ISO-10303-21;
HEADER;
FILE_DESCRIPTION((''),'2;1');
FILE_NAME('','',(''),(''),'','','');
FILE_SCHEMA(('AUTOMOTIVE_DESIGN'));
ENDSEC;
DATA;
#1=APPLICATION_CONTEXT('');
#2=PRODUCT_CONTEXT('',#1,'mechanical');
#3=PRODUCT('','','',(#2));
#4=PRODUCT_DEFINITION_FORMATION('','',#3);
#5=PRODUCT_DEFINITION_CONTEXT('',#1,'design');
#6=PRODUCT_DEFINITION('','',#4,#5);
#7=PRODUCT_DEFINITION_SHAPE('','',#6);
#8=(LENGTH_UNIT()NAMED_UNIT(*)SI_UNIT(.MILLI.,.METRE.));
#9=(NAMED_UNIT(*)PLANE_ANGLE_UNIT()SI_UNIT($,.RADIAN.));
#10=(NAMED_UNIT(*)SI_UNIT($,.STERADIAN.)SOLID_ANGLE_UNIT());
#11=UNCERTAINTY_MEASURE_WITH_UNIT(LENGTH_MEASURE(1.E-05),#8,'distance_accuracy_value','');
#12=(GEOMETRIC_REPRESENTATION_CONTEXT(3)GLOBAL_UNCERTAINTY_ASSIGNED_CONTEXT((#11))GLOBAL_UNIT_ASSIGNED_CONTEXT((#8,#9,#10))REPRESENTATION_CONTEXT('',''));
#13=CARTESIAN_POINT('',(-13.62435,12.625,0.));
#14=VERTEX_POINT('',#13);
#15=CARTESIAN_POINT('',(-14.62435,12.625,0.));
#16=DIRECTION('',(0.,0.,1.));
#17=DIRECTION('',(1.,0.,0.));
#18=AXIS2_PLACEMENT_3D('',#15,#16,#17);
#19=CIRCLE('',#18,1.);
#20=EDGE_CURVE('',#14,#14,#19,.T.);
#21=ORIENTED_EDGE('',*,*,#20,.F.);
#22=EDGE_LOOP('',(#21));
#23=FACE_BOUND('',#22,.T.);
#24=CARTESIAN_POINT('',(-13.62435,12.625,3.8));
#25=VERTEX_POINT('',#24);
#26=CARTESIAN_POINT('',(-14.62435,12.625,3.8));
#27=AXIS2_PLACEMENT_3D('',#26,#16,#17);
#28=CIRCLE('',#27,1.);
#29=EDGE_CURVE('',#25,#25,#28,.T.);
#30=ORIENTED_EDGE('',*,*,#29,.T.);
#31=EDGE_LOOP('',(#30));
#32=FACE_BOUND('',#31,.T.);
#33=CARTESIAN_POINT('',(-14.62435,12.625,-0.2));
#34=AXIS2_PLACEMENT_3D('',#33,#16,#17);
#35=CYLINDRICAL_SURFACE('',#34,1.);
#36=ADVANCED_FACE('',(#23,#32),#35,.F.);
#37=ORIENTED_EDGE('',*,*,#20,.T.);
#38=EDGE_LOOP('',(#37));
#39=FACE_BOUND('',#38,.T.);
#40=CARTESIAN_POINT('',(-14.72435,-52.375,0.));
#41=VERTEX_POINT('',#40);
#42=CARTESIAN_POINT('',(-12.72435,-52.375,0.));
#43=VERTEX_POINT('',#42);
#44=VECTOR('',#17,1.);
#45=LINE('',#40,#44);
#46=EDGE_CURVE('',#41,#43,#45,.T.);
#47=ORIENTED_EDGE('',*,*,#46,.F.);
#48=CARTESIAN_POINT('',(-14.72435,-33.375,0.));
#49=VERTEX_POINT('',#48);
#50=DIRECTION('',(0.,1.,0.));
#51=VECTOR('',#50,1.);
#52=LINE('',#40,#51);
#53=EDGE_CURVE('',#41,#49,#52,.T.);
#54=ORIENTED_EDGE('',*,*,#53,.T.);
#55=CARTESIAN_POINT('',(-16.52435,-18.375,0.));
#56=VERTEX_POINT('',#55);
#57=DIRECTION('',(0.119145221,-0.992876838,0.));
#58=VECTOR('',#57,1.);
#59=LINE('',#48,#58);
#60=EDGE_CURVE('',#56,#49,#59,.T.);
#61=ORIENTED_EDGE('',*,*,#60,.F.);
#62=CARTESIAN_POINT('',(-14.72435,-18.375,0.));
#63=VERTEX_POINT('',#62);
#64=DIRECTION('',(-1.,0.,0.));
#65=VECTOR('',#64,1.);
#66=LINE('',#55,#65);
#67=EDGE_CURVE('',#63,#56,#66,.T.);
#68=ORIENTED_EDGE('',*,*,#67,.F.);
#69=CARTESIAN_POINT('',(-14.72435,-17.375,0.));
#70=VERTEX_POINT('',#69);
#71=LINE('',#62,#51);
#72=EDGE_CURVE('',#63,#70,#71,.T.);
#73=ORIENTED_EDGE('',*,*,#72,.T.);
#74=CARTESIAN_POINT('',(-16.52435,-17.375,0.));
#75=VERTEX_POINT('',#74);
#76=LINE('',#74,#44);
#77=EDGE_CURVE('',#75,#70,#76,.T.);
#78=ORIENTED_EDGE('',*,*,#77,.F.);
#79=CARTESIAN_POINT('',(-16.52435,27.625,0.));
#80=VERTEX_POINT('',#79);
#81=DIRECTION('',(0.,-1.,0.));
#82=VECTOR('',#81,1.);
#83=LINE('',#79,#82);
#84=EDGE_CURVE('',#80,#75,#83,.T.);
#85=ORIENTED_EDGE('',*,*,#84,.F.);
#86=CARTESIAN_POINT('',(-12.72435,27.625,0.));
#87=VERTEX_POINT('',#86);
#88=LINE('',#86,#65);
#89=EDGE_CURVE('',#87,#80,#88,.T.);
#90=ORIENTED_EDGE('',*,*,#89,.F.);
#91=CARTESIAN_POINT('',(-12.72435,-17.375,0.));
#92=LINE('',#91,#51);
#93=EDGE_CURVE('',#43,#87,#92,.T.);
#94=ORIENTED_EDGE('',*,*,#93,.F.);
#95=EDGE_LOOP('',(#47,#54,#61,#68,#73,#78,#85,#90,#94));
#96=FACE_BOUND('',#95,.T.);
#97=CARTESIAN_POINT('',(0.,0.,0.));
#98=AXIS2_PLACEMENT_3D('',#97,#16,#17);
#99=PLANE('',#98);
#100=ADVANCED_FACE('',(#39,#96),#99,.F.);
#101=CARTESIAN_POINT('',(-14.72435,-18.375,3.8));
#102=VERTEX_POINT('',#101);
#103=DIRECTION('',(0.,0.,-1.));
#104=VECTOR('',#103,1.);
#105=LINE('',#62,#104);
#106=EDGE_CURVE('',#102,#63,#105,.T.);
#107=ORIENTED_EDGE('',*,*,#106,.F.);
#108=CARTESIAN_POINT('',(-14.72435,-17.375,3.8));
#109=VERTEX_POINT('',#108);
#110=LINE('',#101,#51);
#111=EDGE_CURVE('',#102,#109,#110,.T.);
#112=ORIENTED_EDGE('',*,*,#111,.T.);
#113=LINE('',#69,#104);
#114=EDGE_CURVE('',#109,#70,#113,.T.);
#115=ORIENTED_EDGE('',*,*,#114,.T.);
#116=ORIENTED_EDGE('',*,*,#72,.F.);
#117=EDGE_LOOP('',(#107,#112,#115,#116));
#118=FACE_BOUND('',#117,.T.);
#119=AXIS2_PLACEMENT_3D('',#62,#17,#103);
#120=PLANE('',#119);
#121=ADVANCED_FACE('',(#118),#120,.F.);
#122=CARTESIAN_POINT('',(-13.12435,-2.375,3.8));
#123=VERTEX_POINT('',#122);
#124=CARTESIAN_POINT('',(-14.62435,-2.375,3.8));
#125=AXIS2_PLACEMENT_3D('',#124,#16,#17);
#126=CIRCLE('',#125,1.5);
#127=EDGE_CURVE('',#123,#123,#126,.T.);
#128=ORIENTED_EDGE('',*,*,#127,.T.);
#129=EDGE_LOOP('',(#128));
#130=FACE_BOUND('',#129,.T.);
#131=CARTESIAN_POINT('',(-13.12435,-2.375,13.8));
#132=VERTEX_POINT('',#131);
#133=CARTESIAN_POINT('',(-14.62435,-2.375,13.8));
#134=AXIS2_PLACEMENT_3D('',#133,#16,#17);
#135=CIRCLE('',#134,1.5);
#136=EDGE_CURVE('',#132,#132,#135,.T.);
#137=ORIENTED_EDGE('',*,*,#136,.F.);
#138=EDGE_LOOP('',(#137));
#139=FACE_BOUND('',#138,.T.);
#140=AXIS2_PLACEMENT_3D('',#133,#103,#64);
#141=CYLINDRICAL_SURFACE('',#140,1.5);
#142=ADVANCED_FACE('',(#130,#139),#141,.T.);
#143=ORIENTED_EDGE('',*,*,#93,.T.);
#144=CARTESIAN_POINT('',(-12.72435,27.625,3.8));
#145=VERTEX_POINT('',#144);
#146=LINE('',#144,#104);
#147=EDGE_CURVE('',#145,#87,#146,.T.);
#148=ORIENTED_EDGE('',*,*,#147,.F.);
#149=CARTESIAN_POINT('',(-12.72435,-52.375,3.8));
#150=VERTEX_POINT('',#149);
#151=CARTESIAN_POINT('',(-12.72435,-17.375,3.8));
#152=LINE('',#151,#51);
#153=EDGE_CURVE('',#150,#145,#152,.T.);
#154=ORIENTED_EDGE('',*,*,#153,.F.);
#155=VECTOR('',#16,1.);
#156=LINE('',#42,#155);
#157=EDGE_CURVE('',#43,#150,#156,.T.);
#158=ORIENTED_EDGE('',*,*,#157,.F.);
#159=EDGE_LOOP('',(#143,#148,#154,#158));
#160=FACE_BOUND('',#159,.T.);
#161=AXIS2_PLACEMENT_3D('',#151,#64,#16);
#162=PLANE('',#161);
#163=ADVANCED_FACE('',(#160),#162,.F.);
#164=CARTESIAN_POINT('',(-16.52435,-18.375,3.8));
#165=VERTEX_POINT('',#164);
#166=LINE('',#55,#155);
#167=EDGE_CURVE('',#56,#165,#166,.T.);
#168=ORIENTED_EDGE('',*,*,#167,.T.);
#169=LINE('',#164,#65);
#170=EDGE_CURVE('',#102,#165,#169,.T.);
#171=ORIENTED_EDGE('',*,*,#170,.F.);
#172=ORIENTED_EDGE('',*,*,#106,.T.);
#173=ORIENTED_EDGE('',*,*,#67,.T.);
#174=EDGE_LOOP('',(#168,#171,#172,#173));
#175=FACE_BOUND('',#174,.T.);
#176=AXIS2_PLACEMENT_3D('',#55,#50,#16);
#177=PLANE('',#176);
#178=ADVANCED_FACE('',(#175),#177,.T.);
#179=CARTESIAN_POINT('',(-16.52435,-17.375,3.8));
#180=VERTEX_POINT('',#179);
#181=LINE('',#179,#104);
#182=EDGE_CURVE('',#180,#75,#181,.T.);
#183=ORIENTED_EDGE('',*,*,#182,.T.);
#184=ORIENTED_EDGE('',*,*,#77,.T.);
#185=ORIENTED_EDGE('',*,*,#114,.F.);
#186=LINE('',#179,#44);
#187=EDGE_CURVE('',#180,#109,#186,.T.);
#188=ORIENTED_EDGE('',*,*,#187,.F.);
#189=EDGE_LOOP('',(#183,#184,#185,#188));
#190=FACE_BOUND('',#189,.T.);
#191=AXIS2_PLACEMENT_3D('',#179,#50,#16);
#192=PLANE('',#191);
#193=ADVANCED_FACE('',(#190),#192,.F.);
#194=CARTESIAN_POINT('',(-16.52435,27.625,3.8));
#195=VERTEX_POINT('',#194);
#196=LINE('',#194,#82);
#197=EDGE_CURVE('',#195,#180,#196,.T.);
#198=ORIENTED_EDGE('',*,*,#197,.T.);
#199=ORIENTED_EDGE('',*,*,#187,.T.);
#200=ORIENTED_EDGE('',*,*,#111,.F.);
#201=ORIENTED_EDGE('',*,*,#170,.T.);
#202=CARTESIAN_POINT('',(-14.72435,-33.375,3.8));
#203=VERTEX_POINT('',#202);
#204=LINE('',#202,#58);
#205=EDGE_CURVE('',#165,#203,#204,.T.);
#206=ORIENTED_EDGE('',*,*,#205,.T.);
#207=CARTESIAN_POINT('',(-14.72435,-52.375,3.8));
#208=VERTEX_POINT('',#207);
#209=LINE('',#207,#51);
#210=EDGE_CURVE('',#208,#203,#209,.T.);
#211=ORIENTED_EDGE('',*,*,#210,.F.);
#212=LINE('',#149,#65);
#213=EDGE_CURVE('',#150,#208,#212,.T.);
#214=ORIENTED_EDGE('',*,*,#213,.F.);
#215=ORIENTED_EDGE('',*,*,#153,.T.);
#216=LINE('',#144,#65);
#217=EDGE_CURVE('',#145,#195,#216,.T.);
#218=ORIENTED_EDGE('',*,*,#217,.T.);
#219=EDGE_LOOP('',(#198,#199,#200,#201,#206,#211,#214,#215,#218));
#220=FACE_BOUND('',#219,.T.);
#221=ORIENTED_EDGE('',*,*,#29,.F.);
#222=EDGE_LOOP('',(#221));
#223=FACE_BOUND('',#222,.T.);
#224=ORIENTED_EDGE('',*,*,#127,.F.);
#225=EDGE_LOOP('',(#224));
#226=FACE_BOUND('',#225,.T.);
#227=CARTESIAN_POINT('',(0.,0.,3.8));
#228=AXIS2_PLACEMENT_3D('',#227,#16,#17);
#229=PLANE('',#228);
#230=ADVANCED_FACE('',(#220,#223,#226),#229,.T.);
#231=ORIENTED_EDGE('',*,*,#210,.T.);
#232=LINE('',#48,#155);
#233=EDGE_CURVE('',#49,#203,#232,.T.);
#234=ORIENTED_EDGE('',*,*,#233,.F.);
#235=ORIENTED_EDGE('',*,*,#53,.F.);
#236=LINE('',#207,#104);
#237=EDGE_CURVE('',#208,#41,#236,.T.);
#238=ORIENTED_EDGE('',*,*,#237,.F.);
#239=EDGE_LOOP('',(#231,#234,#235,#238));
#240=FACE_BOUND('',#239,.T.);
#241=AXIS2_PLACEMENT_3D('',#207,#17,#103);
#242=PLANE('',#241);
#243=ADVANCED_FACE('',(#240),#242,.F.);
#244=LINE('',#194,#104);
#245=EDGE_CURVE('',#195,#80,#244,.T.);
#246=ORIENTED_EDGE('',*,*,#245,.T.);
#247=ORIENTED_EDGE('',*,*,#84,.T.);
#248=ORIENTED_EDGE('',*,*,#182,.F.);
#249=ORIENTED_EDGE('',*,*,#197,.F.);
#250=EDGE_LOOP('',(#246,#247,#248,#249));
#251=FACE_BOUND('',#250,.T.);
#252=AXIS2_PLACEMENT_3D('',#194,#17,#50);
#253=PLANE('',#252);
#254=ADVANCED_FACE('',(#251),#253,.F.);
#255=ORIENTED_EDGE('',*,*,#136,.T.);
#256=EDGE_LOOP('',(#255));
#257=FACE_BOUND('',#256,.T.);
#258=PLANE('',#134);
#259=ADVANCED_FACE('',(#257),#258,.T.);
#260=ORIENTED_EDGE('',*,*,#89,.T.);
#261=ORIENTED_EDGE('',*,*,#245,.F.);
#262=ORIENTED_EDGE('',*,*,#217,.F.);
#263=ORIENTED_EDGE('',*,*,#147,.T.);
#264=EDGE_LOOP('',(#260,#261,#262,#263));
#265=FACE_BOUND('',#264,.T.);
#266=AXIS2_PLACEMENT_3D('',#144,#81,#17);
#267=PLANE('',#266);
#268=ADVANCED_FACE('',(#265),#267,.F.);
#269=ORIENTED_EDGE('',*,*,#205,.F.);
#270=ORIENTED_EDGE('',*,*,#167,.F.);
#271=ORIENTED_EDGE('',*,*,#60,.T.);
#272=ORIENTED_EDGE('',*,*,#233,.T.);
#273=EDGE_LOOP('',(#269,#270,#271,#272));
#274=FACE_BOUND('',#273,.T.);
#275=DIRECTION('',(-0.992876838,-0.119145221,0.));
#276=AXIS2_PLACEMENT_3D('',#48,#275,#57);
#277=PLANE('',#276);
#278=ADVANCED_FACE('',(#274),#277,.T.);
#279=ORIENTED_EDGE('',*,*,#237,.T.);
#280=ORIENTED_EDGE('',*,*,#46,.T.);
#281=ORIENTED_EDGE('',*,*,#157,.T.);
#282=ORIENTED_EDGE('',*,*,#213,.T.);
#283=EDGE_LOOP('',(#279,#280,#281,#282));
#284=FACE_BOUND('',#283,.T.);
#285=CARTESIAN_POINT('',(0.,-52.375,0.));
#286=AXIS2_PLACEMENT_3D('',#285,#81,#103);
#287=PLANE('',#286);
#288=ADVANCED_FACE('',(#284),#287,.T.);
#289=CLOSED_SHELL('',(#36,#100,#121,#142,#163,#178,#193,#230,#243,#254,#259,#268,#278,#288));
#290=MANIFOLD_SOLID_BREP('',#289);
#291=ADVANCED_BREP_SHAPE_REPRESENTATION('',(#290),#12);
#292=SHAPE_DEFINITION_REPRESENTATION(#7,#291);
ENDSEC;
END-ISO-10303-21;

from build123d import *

# Parameters (mm, degrees)
ESBO_O1_W                = 3.8
ESBO_O1_H                = 45
RESSALTO_EXTRUS_O1_DEPTH = 3.8
ESBO_O2_R                = 1.5
RESSALTO_EXTRUS_O2_DEPTH = 10
ESBO_O3_W                = 2
ESBO_O3_H                = 3.8
RESSALTO_EXTRUS_O3_DEPTH = 1
ESBO_O5_R                = 1
CORTE_EXTRUS_O1_DEPTH    = 4
RESSALTO_EXTRUS_O7_DEPTH = 3.8
ESBO_O10_W               = 2
ESBO_O10_H               = 3.8
RESSALTO_EXTRUS_O8_DEPTH = 19


with BuildPart() as part:
    # Esboço1 → Ressalto-extrusão1 (new body)
    with BuildSketch(Plane.XY):
        with Locations((-14.624350205, 5.125)):
            Rectangle(ESBO_O1_W, ESBO_O1_H)
    extrude(amount=RESSALTO_EXTRUS_O1_DEPTH)

    # Esboço2 → Ressalto-extrusão2 (add)
    with BuildSketch(Plane.XY.offset(3.8)):
        with Locations((-14.624350205, -2.375)):
            Circle(ESBO_O2_R)
    extrude(amount=RESSALTO_EXTRUS_O2_DEPTH)

    # Esboço3 → Ressalto-extrusão3 (add)
    with BuildSketch(Plane(origin=(0, -17.375, 0), x_dir=(-1, 0, 0), z_dir=(0, -1, 0))):
        with Locations((13.724350205, -1.9)):
            Rectangle(ESBO_O3_W, ESBO_O3_H)
    extrude(amount=RESSALTO_EXTRUS_O3_DEPTH)

    # Esboço5 → Corte-extrusão1 (cut)
    with BuildSketch(Plane.XY.offset(3.8)):
        with Locations((-14.624350205, 12.625)):
            Circle(ESBO_O5_R)
    extrude(amount=-CORTE_EXTRUS_O1_DEPTH, mode=Mode.SUBTRACT)

    # Esboço9 → Ressalto-extrusão7 (add)
    with BuildSketch(Plane.XY.offset(3.8)):
        Polygon((-12.724350205, -18.375), (-12.724350205, -33.375), (-14.724350205, -33.375), (-16.524350205, -18.375), align=None)
    extrude(amount=-RESSALTO_EXTRUS_O7_DEPTH)

    # Esboço10 → Ressalto-extrusão8 (add)
    with BuildSketch(Plane(origin=(0, -33.375, 0), x_dir=(-1, 0, 0), z_dir=(0, -1, 0))):
        with Locations((13.724350205, -1.9)):
            Rectangle(ESBO_O10_W, ESBO_O10_H)
    extrude(amount=RESSALTO_EXTRUS_O8_DEPTH)


solid = part.part
